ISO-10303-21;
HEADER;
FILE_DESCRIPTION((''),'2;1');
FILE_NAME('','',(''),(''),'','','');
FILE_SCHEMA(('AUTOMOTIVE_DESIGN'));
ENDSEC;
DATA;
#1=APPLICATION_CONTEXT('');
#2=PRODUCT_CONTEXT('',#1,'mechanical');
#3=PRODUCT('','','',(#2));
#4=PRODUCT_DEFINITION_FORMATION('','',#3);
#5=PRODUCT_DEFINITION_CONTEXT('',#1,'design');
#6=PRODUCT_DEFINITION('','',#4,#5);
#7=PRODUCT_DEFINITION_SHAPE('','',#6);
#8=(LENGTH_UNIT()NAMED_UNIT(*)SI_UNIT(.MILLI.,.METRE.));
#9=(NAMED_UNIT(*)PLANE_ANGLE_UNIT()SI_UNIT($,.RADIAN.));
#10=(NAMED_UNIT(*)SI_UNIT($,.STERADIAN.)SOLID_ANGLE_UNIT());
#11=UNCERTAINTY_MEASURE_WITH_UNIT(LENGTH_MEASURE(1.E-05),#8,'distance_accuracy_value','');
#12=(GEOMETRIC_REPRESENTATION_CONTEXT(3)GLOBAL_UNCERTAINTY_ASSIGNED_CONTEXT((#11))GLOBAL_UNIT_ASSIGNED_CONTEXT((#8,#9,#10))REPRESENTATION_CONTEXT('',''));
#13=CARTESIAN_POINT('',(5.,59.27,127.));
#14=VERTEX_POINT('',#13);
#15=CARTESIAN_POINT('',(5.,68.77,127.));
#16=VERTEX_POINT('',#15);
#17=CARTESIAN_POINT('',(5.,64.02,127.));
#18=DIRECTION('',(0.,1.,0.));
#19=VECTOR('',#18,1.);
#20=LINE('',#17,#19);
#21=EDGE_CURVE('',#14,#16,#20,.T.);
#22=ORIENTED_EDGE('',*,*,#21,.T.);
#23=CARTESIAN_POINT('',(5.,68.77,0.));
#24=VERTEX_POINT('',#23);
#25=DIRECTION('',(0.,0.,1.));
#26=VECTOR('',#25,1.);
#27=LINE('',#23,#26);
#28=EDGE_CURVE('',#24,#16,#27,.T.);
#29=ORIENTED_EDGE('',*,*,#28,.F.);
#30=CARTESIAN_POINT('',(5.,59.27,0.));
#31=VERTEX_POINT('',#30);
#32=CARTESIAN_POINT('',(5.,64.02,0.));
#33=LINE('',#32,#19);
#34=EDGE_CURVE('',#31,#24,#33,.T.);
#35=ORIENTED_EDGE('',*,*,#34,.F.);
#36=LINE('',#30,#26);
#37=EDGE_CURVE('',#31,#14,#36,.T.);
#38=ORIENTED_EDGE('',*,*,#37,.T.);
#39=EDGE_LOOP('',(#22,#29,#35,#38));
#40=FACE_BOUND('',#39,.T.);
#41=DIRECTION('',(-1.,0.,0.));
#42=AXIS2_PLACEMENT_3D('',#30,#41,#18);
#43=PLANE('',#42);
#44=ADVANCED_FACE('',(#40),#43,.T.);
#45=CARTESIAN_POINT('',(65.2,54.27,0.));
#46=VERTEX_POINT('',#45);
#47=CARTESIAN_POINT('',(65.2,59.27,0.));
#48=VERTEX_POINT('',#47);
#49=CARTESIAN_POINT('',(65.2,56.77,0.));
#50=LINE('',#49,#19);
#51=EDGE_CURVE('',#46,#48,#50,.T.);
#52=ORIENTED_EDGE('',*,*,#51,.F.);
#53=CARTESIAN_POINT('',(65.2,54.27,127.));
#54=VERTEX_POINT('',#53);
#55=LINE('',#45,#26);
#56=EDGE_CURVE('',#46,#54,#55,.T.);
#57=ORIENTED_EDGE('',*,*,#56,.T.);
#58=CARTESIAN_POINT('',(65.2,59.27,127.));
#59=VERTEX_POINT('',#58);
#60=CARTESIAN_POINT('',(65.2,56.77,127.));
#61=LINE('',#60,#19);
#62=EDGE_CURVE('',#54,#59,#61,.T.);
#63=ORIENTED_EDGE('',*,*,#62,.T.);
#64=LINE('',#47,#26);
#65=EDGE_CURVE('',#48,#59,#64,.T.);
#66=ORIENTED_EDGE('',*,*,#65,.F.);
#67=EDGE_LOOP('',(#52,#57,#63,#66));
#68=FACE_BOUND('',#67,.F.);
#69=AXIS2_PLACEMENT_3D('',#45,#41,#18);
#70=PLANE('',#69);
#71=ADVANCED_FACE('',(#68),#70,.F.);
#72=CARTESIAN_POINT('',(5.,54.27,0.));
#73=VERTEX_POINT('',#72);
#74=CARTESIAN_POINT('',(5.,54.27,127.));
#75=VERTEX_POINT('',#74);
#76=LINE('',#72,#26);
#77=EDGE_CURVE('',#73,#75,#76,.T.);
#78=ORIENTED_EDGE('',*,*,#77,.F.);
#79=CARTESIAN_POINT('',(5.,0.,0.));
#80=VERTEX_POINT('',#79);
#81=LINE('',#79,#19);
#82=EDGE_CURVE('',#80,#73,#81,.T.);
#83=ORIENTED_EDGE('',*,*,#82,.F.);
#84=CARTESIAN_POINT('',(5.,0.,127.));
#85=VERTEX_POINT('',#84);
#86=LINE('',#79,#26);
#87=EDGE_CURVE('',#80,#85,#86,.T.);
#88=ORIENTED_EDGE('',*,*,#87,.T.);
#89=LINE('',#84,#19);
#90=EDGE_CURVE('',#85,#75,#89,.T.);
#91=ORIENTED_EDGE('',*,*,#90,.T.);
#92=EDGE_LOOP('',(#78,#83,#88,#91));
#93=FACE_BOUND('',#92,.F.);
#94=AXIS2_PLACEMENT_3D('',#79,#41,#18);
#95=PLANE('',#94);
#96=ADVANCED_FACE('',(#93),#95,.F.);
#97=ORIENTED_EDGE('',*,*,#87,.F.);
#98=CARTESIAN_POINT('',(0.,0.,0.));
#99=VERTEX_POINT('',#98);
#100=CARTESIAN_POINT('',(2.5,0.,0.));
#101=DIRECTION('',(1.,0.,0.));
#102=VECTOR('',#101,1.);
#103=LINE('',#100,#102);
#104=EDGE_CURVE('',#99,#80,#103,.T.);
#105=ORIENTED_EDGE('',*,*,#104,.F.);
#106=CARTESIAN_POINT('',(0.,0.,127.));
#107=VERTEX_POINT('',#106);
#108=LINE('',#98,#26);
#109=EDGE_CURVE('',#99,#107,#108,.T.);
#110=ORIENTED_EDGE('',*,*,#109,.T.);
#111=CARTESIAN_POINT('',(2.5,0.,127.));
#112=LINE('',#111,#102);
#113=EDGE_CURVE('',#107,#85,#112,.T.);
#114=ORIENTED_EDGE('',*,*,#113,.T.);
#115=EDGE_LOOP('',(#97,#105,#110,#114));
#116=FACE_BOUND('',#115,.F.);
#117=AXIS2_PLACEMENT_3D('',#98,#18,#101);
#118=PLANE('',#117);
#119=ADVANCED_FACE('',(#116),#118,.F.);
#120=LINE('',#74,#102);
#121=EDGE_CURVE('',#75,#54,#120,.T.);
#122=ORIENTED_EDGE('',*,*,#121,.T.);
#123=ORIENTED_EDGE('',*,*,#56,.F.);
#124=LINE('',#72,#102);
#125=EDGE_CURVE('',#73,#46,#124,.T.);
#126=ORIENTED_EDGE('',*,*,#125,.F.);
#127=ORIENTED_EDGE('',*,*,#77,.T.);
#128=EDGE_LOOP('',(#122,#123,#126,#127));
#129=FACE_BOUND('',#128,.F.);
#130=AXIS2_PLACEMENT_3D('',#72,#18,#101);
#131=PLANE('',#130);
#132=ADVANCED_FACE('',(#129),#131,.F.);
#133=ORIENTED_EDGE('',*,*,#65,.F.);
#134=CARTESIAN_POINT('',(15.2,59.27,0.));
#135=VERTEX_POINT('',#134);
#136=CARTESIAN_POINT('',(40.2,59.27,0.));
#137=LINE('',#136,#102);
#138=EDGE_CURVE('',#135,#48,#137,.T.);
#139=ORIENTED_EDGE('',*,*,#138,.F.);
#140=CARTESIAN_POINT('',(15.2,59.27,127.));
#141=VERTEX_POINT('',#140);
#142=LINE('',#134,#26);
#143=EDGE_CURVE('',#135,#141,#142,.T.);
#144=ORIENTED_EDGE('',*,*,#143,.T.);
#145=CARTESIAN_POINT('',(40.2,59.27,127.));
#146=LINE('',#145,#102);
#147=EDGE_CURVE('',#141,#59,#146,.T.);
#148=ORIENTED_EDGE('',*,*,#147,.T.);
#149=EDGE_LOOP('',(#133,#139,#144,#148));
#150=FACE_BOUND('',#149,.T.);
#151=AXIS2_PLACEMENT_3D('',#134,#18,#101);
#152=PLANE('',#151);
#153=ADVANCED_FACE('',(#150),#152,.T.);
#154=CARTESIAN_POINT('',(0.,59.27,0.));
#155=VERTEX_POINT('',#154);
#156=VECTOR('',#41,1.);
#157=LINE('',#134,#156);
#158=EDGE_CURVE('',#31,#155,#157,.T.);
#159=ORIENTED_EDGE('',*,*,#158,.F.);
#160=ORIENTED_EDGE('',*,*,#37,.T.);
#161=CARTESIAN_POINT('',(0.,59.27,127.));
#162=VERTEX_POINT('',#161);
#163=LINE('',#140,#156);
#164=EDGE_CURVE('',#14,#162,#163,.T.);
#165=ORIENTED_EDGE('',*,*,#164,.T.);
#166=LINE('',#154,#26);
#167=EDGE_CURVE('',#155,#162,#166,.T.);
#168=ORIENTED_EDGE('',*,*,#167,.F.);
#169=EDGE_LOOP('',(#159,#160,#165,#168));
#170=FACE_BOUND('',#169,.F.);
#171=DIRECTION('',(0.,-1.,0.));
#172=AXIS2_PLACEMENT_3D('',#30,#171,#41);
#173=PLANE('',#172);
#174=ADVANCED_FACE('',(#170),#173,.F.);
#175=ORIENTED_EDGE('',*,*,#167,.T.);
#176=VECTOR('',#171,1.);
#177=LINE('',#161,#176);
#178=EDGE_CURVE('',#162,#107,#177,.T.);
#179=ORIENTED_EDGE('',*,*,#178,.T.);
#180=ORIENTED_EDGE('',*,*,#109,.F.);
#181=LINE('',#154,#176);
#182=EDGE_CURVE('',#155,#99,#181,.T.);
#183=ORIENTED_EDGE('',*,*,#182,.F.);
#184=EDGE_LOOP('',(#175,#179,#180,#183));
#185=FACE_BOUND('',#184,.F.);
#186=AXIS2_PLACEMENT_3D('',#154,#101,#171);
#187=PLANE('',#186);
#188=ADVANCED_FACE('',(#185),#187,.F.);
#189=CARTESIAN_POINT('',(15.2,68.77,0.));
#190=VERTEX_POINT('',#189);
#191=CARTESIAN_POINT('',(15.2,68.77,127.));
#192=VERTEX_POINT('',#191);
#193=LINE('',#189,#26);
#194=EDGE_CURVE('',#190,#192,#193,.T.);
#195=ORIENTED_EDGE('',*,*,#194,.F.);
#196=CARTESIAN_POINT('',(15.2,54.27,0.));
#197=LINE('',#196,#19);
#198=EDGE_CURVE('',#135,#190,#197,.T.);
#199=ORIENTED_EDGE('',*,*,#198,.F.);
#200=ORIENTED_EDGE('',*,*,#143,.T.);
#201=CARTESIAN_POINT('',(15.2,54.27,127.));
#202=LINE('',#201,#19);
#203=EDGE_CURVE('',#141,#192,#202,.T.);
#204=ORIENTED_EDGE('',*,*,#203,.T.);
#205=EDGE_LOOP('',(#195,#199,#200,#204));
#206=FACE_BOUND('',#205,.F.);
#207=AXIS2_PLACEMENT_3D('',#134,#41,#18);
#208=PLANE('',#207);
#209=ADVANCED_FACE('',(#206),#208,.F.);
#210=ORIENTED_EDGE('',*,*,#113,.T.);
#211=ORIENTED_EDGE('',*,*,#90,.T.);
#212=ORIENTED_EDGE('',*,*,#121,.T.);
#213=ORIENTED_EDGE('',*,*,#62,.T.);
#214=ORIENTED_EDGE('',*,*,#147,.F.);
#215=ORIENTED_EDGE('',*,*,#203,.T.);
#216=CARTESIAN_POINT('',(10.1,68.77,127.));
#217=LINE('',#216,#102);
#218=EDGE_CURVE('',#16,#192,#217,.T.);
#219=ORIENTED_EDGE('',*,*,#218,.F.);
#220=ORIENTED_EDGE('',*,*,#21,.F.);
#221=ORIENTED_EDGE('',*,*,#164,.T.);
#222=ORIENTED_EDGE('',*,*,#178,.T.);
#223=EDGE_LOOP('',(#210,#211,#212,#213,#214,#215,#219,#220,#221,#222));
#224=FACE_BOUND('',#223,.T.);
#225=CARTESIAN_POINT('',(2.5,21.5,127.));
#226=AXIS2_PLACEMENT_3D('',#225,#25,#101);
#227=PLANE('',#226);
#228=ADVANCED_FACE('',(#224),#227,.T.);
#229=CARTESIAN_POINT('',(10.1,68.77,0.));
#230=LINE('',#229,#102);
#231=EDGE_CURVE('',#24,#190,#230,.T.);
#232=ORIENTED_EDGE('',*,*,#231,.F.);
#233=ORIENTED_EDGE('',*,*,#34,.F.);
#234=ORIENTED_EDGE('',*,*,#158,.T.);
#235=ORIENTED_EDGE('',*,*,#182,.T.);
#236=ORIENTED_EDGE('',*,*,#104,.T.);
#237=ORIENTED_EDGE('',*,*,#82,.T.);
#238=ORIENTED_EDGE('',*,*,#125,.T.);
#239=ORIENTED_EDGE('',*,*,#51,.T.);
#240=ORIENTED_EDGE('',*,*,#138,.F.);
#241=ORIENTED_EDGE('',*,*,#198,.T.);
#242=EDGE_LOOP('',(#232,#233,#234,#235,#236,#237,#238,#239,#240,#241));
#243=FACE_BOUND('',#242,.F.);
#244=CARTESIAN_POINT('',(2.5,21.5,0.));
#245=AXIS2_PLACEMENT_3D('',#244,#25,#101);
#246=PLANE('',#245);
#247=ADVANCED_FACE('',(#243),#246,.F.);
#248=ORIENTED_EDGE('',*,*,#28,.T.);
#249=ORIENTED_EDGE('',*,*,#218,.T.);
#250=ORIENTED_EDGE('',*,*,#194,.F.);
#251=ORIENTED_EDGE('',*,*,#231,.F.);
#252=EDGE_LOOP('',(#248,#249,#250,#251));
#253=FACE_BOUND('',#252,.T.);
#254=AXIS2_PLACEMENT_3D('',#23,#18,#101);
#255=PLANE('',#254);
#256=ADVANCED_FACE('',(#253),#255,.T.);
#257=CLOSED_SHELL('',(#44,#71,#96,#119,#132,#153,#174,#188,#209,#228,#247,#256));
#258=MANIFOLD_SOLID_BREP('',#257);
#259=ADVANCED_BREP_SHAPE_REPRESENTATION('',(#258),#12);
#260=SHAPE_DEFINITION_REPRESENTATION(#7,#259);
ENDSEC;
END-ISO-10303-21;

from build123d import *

# Parameters (mm, degrees)
F0_W     = 5
F0_H     = 43
F0_W_2   = 10.2
F0_H_2   = 5
F0_H_3   = 9.5
F0_W_3   = 50
F1_DEPTH = 127


with BuildPart() as f1:
    # F0 (on Top) → F1 (new body)
    with BuildSketch(Plane.XY):
        with Locations((2.5, 21.5)):
            Rectangle(F0_W, F0_H)
        Polygon((0, 59.27), (0, 43), (5, 43), (5, 54.27), (5, 59.27), align=None)
        with Locations((10.1, 56.77)):
            Rectangle(F0_W_2, F0_H_2)
        with Locations((10.1, 64.02)):
            Rectangle(F0_W_2, F0_H_3)
        with Locations((40.2, 56.77)):
            Rectangle(F0_W_3, F0_H_2)
    extrude(amount=F1_DEPTH)


solid = f1.part
